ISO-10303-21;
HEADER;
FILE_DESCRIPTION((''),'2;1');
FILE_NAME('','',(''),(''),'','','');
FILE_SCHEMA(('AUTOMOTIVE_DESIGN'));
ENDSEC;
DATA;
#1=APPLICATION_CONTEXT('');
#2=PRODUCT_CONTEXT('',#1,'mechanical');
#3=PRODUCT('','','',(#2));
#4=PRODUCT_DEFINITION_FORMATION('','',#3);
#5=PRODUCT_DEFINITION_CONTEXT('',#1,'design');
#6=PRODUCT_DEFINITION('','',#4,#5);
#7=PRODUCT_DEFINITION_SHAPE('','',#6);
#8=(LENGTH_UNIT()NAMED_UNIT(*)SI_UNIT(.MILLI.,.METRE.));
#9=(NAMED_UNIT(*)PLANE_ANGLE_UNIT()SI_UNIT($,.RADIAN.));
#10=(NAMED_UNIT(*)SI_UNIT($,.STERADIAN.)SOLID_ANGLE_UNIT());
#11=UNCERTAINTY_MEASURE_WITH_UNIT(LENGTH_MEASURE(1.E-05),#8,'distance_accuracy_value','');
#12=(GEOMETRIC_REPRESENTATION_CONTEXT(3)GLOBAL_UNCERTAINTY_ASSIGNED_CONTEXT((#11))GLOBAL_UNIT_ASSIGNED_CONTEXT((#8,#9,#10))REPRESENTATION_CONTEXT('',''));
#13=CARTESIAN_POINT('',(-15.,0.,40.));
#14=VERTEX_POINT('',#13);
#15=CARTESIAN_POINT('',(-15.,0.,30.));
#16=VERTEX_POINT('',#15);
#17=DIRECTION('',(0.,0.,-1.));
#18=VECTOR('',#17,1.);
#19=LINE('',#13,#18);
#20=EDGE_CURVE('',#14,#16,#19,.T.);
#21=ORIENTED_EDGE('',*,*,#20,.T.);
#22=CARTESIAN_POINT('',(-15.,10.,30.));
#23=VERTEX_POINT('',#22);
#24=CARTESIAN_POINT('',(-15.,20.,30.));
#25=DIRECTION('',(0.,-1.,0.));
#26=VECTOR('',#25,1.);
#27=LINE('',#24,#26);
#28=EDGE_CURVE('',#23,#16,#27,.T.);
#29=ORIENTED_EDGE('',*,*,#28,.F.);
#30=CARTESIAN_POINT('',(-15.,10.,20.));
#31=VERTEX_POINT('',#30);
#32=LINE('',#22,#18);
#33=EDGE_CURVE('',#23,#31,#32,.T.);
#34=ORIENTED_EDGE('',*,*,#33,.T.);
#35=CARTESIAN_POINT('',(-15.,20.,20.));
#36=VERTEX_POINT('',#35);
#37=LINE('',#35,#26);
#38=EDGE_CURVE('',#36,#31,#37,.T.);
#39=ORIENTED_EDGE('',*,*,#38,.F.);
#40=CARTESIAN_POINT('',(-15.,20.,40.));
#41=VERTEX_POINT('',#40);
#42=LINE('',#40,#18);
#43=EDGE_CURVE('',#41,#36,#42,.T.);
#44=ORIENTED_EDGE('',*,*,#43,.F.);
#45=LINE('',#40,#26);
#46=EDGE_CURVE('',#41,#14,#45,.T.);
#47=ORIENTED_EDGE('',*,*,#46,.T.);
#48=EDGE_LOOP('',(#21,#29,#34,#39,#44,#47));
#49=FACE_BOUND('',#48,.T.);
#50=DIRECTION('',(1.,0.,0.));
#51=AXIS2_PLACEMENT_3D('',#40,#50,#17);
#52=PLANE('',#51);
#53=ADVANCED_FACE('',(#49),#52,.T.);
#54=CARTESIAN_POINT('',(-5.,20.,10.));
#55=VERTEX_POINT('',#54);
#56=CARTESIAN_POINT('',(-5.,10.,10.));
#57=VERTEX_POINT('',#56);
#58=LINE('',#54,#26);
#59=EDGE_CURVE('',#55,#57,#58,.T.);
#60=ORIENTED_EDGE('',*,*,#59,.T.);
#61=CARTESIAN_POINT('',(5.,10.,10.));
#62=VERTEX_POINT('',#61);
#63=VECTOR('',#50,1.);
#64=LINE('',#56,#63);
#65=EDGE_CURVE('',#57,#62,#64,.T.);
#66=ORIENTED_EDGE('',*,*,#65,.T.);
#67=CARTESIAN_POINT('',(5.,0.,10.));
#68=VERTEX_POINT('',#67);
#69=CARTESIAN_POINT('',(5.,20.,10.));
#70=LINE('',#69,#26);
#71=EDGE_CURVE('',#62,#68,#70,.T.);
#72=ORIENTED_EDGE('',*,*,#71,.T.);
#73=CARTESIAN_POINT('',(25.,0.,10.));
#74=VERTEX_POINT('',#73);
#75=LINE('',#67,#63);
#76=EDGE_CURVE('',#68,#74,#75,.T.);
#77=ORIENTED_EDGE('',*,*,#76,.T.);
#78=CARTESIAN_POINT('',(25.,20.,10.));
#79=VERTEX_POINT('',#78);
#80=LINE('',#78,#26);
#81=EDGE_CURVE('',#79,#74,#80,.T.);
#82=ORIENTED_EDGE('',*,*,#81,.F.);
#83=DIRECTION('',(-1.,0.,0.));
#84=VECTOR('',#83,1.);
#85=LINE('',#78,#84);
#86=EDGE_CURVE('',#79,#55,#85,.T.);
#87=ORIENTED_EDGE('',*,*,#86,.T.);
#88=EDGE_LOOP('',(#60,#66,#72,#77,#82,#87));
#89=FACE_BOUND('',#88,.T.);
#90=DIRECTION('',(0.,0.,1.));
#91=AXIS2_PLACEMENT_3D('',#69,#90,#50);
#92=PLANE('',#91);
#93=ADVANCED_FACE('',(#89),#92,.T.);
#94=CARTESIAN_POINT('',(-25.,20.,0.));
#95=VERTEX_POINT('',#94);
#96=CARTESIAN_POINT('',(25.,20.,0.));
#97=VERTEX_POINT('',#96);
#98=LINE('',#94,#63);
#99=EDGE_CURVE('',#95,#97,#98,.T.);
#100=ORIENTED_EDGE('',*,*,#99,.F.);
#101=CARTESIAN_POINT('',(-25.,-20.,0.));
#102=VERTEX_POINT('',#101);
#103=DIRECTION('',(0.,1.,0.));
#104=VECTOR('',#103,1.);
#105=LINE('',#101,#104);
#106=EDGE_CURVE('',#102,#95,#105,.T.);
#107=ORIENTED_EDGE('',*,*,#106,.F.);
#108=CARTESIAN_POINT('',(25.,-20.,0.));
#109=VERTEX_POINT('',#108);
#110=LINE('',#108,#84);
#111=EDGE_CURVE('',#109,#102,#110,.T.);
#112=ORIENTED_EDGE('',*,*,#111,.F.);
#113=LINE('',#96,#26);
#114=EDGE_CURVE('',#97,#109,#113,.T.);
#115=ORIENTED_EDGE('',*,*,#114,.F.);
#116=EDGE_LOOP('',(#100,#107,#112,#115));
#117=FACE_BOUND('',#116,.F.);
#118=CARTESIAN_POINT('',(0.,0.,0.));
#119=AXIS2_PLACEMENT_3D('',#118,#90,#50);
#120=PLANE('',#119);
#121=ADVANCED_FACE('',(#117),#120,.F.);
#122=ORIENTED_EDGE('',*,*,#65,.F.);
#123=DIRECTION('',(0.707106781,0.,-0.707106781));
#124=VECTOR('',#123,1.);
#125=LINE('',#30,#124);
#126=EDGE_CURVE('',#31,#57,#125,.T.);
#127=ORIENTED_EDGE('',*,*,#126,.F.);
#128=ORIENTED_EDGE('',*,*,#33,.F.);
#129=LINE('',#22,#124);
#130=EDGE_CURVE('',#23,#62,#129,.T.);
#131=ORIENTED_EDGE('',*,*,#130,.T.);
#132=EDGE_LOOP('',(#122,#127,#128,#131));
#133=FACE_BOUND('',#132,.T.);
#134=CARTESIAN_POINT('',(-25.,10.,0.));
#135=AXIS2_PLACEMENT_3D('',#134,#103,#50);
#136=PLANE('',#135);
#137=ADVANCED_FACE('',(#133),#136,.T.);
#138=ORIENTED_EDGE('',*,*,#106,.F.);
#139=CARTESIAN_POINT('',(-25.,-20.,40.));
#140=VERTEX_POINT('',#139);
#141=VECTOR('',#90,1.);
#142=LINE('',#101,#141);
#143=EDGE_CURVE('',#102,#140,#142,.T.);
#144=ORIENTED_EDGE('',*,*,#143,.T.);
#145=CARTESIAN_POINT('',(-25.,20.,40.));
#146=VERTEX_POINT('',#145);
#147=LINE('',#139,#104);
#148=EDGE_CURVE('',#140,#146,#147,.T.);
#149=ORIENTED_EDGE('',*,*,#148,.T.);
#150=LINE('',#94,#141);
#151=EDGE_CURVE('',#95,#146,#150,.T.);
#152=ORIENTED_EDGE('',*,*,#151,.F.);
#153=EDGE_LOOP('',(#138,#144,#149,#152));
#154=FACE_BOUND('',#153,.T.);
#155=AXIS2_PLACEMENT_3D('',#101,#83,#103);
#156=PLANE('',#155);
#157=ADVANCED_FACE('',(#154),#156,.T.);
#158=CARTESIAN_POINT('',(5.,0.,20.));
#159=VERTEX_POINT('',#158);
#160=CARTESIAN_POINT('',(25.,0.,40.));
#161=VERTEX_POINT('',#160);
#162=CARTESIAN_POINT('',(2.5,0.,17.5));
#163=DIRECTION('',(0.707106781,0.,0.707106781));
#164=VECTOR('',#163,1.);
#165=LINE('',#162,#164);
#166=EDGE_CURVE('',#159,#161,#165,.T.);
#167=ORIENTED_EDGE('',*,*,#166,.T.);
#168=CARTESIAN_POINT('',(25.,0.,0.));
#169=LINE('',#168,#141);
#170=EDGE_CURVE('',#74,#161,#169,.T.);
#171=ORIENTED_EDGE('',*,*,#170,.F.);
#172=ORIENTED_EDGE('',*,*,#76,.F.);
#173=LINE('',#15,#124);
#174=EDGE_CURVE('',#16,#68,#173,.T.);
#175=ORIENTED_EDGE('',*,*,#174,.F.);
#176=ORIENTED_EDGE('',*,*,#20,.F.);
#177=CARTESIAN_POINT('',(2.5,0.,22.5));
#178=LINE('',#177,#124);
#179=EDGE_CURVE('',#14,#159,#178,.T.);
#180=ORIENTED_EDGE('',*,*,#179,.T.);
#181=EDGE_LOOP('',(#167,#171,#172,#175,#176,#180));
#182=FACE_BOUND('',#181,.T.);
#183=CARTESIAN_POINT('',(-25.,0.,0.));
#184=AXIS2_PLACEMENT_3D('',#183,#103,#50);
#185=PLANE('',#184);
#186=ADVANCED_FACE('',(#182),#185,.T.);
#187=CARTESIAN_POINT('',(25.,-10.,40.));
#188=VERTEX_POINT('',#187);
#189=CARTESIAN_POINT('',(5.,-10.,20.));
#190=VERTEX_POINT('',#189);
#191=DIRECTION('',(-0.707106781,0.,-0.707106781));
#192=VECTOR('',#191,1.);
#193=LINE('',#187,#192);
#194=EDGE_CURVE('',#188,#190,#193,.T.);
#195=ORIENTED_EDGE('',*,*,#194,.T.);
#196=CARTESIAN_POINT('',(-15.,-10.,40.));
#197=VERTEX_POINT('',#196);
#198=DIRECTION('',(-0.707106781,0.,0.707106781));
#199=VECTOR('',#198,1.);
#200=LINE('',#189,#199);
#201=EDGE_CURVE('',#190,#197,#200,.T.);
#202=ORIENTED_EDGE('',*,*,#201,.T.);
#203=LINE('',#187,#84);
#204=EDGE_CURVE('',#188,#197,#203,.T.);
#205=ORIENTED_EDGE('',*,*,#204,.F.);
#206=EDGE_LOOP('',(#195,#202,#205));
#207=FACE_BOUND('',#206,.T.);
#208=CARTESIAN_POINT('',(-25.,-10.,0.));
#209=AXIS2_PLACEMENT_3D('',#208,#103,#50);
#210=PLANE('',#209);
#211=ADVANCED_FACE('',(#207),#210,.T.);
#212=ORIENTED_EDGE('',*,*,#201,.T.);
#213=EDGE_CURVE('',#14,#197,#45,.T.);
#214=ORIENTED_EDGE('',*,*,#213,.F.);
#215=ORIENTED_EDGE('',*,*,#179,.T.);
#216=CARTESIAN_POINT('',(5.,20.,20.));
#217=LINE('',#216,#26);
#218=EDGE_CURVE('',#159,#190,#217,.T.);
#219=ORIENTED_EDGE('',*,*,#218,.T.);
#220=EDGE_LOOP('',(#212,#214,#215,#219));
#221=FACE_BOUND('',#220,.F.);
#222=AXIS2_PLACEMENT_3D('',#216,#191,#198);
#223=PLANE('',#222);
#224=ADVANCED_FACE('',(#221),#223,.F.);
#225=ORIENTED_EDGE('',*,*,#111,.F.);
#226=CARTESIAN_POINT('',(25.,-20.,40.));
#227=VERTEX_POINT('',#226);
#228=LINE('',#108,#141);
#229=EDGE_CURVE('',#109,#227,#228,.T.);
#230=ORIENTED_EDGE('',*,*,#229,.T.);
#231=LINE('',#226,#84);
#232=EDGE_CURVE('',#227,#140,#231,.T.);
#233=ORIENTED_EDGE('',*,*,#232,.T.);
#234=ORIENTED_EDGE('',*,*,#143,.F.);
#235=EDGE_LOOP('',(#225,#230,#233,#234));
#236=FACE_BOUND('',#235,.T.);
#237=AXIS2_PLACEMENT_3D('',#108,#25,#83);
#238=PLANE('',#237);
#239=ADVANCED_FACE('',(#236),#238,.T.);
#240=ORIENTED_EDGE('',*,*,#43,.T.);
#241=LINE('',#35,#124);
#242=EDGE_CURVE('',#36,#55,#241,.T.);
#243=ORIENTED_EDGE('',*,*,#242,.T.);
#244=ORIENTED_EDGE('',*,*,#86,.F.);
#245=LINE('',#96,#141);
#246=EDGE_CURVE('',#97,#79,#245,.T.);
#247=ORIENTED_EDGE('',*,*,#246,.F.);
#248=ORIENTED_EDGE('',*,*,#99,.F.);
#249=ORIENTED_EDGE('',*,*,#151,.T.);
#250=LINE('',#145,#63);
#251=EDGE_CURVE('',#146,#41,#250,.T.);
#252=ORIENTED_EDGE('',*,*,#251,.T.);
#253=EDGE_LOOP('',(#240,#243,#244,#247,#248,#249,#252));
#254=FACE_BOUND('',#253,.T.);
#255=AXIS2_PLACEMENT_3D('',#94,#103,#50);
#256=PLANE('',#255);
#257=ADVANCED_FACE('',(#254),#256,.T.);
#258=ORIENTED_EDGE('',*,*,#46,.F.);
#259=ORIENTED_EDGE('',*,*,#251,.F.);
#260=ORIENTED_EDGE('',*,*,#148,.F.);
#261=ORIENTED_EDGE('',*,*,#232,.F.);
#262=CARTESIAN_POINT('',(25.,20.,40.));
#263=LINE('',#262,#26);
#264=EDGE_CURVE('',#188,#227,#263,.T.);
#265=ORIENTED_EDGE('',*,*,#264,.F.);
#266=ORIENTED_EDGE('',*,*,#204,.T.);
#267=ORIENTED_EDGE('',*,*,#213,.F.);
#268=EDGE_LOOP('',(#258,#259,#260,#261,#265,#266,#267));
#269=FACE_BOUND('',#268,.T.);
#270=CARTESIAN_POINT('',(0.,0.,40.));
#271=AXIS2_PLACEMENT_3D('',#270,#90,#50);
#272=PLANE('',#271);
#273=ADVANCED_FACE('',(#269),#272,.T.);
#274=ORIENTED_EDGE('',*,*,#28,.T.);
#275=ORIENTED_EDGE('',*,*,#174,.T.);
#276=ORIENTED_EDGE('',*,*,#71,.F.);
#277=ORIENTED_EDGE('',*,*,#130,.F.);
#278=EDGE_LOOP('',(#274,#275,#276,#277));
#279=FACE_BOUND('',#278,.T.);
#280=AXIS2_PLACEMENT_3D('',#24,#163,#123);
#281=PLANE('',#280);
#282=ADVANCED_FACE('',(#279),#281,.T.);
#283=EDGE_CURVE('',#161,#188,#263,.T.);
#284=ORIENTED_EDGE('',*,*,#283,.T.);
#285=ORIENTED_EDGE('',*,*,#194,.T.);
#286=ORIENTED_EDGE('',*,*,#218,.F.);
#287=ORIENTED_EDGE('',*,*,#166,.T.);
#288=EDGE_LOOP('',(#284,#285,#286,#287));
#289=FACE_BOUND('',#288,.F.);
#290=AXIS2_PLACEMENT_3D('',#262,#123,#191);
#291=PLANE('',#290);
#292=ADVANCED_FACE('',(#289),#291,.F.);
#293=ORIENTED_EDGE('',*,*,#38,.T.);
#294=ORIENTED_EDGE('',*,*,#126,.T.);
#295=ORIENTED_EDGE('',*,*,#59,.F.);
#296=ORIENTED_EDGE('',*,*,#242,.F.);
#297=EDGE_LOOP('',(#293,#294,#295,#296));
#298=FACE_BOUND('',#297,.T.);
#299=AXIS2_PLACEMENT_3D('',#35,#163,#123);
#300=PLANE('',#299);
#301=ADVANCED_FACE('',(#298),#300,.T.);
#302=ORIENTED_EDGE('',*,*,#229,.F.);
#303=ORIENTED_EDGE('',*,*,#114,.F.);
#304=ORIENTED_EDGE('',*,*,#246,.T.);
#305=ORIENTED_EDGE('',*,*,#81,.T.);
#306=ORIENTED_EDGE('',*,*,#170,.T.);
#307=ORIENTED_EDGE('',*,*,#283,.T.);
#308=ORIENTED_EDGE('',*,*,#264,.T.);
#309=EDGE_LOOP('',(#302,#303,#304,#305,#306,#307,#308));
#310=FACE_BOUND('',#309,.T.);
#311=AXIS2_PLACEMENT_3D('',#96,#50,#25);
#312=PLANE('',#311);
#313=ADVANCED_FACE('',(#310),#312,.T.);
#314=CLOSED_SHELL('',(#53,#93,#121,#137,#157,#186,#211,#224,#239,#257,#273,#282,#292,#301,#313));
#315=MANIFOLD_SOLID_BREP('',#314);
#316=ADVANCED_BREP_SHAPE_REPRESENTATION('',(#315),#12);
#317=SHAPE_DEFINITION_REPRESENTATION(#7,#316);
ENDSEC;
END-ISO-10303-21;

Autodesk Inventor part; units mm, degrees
ref_plane "YZ Plane" through (0, 0, 0) normal (1, 0, 0) x (0, 1, 0)
ref_plane "XZ Plane" through (0, 0, 0) normal (0, 1, 0) x (-1, 0, 0)
ref_plane "XY Plane" through (0, 0, 0) normal (0, 0, 1) x (1, 0, 0)
sketch "草圖1" plane through (0, 0, 0) normal (0, 0, 1) x (1, 0, 0)
  line L0 (25, -20) -> (-25, -20)
  line L1 (-25, -20) -> (-25, 20)
  line L2 (-25, 20) -> (25, 20)
  line L3 (25, 20) -> (25, -20)
  line L4 (25, -20) -> (-25, 20) construction
  line L5 (-25, -20) -> (25, 20) construction
  point P0 (0, 0)
  dimension "d0" = 40
  dimension "d1" = 50
extrude "擠出1" add sketch "草圖1" along normal blind 40
sketch "草圖2" plane through (-25, 20, 0) normal (0, 1, 0) x (1, 0, 0)
  line L0 (50, -40) -> (0, -40) projected
  line L1 (50, 0) -> (50, -40) projected
  line L2 (0, 0) -> (0, -40) projected
  line L3 (50, 0) -> (0, 0) projected
  line L4 (0, -40) -> (50, -40) projected
  line L5 (50, -40) -> (30, -20)
  line L6 (30, -20) -> (10, -40)
  line L7 (10, -40) -> (50, -40)
  line L8 (50, 0) -> (0, 0) projected
  line L9 (0, 0) -> (0, -40) projected
  line L10 (50, -40) -> (0, -40) projected
  line L11 (50, 0) -> (50, -40) projected
  point P0 (25, 0)
  dimension "d4" = 10
  dimension "d5" = 20
  dimension "d6" = 20
extrude "擠出2" cut sketch "草圖2" against normal blind 30 contours L0 L6 L5
sketch "草圖3" plane through (-25, 20, 0) normal (0, 1, 0) x (1, 0, 0)
  line L0 (0, -40) -> (50, -40) projected
  line L1 (10, -40) -> (10, -30)
  line L2 (10, -30) -> (30, -10)
  line L3 (30, -10) -> (50, -10)
  line L4 (50, 0) -> (50, -40) projected
  line L5 (50, 0) -> (0, 0) projected
  line L6 (0, 0) -> (0, -40) projected
  point P0 (25, 0)
  dimension "d9" = 10
  dimension "d10" = 10
  dimension "d11" = 10
  dimension "d12" = 20
extrude "擠出3" cut sketch "草圖3" against normal blind 20 contours L1 L2 L3 L4 L0
sketch "草圖4" plane through (-25, 20, 0) normal (0, 1, 0) x (1, 0, 0)
  line L0 (10, -40) -> (10, -30) projected
  line L1 (10, -30) -> (10, -20)
  line L2 (10, -20) -> (20, -10)
  line L3 (30, -10) -> (50, -10) projected
  line L4 (20, -10) -> (30, -10)
  line L5 (30, -10) -> (50, -10) projected
  line L6 (10, -30) -> (30, -10)
  line L7 (10, -30) -> (30, -10) projected
  point P0 (25, 0)
  dimension "d15" = 10
  dimension "d16" = 10
extrude "擠出4" cut sketch "草圖4" against normal blind 10
